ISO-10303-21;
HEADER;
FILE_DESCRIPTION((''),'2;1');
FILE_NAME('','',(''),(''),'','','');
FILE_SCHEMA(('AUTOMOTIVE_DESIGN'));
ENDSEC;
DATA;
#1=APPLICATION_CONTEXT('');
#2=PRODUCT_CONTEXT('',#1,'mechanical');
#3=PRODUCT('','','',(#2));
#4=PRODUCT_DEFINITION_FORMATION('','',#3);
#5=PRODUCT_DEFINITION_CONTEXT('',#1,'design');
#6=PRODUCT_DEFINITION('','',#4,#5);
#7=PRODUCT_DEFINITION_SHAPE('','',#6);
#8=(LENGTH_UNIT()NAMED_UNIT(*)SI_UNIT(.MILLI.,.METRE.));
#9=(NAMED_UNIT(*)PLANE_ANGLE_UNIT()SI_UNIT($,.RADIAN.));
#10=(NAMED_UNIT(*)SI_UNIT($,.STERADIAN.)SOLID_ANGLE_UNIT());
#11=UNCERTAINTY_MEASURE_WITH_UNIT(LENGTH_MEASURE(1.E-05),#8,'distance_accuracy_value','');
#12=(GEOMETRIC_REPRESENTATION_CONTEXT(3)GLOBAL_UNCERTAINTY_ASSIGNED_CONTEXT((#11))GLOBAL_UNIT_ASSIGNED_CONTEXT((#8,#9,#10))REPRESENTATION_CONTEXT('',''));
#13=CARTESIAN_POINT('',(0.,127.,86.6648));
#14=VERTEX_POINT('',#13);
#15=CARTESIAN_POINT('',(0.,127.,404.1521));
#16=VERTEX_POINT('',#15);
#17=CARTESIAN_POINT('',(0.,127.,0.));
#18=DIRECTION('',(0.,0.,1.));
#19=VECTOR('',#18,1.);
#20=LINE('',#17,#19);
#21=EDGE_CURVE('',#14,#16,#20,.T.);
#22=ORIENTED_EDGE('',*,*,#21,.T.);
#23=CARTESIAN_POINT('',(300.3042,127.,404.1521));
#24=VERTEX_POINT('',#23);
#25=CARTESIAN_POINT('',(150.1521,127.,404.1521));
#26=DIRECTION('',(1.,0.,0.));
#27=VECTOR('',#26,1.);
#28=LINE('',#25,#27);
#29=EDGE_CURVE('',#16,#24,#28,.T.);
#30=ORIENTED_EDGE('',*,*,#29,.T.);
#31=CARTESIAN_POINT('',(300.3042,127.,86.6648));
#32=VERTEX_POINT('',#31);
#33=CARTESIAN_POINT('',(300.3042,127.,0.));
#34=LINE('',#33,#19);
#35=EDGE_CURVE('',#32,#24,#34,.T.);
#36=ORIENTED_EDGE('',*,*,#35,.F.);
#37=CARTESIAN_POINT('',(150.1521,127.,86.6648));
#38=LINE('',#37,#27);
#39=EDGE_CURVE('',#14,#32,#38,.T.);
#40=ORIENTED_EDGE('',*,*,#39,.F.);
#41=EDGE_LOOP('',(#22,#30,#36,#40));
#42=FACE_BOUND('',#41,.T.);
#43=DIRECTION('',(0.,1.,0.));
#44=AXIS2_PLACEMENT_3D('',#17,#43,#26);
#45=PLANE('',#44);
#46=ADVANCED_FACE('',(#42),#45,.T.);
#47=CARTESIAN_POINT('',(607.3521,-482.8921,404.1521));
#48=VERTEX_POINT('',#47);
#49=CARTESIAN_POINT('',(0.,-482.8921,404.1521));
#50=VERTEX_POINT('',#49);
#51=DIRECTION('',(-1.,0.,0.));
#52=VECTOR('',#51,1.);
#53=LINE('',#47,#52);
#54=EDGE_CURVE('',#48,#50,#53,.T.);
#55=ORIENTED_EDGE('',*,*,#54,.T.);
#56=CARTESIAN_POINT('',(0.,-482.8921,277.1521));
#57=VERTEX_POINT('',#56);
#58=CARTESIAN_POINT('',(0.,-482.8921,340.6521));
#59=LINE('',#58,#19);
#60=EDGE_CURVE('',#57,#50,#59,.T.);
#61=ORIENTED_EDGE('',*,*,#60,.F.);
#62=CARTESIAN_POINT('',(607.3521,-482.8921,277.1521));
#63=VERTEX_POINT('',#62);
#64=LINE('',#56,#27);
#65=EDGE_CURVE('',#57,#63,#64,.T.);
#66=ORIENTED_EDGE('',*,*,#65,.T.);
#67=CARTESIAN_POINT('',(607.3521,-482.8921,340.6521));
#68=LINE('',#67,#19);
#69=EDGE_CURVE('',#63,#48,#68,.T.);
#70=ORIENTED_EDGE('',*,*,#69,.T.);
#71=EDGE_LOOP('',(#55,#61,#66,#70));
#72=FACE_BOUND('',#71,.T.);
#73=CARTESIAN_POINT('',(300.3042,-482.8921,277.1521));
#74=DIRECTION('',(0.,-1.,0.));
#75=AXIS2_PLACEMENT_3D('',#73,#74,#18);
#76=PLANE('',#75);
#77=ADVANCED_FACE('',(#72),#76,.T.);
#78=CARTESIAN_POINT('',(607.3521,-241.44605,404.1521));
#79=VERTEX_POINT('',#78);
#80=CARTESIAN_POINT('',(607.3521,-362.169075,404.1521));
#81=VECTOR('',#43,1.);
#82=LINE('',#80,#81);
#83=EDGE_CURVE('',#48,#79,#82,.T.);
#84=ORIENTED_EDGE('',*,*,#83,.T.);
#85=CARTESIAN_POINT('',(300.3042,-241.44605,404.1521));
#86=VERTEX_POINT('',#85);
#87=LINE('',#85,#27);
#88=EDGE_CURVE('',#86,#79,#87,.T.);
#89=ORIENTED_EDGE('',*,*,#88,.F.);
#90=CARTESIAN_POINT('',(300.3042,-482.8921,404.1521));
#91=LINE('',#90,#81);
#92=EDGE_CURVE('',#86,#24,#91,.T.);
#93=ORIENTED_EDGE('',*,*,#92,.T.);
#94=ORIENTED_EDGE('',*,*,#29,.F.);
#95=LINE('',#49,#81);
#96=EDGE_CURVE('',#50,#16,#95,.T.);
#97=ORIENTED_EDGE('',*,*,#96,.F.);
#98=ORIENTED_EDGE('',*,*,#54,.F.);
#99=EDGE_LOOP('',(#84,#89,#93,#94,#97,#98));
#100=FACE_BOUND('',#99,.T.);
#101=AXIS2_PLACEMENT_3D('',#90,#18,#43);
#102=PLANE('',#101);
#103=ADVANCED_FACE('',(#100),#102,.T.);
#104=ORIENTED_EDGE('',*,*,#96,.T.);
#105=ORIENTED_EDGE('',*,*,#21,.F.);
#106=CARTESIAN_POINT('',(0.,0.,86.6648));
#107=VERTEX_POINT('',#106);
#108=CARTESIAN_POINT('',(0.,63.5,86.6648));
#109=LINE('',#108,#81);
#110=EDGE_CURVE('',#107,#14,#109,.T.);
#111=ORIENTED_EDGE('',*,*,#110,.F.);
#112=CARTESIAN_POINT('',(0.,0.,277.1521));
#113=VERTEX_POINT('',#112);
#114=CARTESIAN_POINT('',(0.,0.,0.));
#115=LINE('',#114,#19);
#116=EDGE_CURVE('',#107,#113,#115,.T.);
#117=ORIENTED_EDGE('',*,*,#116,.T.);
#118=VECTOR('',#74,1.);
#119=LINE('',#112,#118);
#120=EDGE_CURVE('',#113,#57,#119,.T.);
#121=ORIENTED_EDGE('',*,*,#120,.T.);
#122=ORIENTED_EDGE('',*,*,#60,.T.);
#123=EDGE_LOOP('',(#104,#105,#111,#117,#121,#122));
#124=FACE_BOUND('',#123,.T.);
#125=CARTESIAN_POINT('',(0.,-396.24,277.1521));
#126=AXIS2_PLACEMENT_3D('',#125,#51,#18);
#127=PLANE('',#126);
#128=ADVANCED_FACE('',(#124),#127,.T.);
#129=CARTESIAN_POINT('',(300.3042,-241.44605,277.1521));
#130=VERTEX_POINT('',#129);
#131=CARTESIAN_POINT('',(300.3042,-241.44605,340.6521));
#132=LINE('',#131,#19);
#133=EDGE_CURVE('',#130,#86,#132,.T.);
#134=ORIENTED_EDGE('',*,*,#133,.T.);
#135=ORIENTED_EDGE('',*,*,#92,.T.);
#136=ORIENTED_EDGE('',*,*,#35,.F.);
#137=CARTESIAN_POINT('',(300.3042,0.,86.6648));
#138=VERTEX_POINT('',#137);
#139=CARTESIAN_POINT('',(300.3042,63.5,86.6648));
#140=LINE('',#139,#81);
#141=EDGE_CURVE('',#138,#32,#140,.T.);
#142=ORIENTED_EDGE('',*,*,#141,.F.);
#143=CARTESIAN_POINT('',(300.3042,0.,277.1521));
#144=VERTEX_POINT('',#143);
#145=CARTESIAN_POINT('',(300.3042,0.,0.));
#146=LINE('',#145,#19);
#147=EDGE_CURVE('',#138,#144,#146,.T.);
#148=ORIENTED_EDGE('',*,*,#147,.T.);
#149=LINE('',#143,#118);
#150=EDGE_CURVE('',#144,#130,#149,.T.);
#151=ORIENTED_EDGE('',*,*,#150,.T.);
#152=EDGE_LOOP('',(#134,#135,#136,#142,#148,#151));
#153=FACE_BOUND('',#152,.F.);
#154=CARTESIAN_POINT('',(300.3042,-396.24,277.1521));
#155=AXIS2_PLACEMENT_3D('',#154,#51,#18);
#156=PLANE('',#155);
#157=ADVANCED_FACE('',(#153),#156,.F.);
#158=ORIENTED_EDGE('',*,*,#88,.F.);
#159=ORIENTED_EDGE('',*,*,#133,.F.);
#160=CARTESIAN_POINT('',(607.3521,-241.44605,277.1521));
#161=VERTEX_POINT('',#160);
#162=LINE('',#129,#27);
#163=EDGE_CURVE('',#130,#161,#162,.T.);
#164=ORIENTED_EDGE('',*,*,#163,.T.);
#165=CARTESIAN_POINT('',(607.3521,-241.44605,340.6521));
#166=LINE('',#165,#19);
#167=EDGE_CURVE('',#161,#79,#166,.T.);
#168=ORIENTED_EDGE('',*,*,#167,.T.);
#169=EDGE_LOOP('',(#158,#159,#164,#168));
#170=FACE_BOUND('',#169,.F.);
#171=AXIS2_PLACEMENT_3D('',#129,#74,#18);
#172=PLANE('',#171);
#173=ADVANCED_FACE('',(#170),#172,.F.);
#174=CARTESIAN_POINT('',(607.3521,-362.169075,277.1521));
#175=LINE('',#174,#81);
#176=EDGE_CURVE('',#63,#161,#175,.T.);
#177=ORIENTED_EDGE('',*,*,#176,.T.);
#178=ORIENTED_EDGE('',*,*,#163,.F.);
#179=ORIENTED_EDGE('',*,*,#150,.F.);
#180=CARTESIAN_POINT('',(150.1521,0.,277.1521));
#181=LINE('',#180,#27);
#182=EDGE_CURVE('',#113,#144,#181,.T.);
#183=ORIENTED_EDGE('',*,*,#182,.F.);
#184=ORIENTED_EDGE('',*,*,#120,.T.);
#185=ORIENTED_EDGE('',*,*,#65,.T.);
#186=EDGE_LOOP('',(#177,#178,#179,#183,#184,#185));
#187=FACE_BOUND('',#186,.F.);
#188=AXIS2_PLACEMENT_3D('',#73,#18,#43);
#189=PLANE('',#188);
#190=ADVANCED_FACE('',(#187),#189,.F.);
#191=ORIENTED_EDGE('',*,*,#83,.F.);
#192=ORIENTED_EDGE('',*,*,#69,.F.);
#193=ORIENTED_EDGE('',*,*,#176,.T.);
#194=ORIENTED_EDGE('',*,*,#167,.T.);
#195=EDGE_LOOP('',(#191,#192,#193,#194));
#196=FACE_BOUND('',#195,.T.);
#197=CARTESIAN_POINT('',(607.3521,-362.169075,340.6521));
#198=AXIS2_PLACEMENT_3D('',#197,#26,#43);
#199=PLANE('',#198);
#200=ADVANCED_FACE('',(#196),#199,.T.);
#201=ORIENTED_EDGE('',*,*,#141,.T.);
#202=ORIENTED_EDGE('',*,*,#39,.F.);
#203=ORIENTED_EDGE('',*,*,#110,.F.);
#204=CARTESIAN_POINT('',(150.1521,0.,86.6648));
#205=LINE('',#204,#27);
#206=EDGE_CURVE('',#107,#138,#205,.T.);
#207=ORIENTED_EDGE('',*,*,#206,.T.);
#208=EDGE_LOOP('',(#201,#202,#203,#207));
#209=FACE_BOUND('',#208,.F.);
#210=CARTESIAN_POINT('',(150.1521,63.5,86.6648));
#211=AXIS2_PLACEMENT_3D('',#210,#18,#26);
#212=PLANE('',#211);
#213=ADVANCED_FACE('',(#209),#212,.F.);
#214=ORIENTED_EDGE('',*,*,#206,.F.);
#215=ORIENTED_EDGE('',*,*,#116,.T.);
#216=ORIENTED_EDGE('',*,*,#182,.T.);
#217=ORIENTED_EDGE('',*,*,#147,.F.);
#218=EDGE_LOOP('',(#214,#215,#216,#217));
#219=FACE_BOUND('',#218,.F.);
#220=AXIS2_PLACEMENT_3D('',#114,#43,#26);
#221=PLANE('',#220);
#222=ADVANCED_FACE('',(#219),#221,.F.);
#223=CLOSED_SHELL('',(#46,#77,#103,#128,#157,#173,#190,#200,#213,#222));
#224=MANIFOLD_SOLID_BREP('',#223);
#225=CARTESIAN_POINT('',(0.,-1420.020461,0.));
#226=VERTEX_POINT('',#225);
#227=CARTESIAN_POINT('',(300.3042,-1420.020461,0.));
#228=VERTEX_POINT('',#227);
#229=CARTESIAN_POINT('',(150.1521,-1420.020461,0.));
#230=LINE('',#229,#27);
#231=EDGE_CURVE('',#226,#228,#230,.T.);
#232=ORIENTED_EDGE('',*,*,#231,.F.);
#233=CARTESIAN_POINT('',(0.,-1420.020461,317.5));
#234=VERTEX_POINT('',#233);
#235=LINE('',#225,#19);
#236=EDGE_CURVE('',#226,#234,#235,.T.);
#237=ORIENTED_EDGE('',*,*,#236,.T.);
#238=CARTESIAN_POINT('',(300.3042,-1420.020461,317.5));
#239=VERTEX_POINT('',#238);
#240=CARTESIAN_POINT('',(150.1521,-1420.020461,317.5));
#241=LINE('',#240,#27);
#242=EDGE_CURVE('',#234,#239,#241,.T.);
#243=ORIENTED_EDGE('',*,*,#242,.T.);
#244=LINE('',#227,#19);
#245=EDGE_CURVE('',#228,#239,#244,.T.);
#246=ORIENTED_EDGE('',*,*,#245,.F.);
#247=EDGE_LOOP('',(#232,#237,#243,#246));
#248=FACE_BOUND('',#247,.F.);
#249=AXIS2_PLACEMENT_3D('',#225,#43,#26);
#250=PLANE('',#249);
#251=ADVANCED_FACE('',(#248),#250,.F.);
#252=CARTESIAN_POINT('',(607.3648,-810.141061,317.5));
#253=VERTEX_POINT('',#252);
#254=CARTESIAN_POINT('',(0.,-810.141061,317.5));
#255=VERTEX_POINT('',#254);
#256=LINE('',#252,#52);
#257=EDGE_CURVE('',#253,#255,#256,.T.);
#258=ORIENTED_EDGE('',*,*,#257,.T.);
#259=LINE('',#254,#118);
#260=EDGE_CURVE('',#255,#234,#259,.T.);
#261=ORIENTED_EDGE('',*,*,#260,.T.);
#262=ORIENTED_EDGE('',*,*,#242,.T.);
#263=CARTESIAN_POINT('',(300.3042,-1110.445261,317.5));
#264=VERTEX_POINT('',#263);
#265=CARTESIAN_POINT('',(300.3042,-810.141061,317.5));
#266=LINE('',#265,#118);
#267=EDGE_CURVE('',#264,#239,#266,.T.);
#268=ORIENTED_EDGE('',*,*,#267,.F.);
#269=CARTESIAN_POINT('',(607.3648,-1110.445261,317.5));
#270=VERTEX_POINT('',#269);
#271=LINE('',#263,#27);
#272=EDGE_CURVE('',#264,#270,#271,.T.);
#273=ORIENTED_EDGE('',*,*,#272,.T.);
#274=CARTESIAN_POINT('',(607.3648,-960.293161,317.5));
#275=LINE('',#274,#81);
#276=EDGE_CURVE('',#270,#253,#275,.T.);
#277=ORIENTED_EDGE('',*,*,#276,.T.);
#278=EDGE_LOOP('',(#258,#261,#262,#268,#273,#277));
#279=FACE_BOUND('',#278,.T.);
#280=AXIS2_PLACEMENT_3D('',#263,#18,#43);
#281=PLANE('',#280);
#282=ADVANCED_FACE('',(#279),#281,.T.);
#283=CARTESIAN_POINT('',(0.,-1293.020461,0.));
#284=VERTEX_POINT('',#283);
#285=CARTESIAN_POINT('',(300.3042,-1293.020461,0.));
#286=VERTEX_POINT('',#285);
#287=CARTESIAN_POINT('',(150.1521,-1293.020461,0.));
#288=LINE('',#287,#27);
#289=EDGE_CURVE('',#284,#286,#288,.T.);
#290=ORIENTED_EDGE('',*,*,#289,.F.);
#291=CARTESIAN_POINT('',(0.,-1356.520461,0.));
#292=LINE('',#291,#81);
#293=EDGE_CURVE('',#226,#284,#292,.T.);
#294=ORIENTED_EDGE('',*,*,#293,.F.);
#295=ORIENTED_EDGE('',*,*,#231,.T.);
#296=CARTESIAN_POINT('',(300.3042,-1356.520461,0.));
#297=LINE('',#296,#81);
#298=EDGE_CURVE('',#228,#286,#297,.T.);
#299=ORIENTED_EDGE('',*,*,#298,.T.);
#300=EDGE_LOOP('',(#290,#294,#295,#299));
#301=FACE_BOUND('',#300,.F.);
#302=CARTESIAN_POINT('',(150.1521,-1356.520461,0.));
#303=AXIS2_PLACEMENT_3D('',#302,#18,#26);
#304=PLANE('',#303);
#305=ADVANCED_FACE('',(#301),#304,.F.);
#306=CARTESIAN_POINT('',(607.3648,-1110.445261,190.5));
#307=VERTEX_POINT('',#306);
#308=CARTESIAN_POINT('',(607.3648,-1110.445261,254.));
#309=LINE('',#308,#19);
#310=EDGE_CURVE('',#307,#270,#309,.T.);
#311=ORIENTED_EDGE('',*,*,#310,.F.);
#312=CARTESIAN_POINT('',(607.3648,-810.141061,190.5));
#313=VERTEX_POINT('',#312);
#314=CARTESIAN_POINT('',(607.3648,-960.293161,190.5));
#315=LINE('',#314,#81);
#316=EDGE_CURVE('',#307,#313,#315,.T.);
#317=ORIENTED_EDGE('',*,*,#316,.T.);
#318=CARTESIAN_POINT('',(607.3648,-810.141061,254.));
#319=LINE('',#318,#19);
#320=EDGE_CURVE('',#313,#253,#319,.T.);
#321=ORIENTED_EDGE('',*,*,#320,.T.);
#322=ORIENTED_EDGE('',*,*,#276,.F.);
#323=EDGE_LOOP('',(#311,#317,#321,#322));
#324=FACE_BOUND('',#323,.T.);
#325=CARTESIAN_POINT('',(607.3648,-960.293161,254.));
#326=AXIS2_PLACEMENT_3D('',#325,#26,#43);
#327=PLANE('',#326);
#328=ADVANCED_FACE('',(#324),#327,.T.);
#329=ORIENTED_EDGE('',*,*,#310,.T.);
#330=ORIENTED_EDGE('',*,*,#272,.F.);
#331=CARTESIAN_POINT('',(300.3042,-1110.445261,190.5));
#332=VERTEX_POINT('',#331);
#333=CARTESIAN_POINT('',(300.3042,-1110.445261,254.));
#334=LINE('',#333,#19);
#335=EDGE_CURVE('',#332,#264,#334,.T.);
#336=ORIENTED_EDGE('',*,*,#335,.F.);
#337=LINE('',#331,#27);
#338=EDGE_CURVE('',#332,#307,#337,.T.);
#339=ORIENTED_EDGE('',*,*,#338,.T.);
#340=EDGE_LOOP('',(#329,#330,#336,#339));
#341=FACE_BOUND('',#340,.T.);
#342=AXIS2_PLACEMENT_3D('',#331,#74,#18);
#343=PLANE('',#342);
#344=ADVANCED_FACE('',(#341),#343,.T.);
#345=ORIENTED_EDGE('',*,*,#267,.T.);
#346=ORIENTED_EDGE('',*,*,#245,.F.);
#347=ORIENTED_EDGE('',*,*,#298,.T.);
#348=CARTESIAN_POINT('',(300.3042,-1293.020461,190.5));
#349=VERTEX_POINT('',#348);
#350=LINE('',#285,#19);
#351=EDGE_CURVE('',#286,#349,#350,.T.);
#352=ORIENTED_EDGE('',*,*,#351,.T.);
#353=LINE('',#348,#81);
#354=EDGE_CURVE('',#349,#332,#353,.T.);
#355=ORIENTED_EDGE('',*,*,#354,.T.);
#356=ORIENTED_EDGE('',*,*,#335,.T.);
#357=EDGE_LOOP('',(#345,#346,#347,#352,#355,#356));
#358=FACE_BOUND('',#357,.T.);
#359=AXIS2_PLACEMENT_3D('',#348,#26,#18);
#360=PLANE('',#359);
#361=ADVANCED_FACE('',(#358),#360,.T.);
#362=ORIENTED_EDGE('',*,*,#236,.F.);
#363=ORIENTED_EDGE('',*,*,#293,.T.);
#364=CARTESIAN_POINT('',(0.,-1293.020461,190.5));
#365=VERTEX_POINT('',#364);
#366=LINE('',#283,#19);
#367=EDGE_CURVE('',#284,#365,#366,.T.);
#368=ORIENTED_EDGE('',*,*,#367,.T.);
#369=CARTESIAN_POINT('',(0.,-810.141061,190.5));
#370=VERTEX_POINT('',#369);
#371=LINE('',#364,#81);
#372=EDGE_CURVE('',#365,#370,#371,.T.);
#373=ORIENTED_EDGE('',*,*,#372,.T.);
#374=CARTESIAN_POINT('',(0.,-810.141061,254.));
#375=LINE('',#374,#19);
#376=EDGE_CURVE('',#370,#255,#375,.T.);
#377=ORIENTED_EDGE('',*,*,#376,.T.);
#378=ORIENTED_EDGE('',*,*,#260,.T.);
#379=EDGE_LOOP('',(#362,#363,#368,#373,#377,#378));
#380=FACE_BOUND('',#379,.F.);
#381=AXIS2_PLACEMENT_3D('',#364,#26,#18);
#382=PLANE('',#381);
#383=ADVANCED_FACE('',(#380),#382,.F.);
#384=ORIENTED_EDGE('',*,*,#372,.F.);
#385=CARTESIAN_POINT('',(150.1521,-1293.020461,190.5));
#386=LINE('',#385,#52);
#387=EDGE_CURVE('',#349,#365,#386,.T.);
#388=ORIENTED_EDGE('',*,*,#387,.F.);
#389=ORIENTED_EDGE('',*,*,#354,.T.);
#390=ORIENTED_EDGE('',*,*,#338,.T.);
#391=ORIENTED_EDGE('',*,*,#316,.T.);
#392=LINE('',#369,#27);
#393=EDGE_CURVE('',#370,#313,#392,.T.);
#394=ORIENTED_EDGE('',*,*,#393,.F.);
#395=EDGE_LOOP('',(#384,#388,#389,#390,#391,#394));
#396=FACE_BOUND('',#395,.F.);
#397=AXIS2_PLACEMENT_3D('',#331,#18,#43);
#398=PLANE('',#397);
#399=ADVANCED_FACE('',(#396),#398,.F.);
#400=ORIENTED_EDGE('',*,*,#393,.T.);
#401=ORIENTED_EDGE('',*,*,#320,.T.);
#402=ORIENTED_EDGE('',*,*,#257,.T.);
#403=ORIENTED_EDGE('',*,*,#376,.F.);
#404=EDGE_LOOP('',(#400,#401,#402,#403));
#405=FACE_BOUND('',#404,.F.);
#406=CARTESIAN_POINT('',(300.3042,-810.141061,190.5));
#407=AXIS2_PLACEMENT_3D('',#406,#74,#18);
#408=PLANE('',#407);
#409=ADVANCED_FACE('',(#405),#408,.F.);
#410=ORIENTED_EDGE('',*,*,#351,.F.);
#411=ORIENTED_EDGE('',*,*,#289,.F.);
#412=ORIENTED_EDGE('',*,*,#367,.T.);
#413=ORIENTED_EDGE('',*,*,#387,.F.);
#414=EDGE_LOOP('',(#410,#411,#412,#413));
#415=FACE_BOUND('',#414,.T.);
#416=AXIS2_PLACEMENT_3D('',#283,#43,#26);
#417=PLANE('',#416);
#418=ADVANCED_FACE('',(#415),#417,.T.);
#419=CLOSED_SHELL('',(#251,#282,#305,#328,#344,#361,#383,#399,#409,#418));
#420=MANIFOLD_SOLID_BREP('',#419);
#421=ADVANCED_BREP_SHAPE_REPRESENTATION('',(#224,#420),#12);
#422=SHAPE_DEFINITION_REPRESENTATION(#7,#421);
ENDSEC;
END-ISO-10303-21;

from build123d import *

# Parameters (mm, degrees)
F0_W      = 300.3042
F0_H      = 127
F1_DEPTH  = 404.1521
F2_W      = 300.3042
F2_H      = 127
F3_DEPTH  = 396.24
F4_DEPTH  = 86.6521
F5_W      = 241.44605
F5_H      = 127
F6_DEPTH  = 307.0479
F7_DEPTH  = 86.6648
F8_W      = 300.3042
F8_H      = 127
F9_DEPTH  = 317.5
F10_W     = 300.3042
F10_H     = 127
F11_DEPTH = 482.8794
F12_W     = 300.3042
F12_H     = 127
F13_DEPTH = 307.0606


with BuildPart() as f1:
    # F0 (on Top) → F1 (new body)
    with BuildSketch(Plane.XY):
        with Locations((150.1521, 63.5)):
            Rectangle(F0_W, F0_H)
    extrude(amount=F1_DEPTH)

    # F2 (on face) → F3 (join)
    with BuildSketch(Plane.XZ):
        with Locations((150.1521, 340.6521)):
            Rectangle(F2_W, F2_H)
    extrude(amount=F3_DEPTH)

    # F4 (add): a face of the model
    f4_faces = [f1.faces().sort_by_distance(p)[0] for p in [
        (150.1521, -396.24, 340.6521),
    ]]
    extrude(f4_faces, amount=F4_DEPTH)

    # F5 (on face) → F6 (join)
    with BuildSketch(Plane.YZ.offset(300.3042)):
        with Locations((-362.169075, 340.6521)):
            Rectangle(F5_W, F5_H)
    extrude(amount=F6_DEPTH)

    # F7 (cut): a face of the model
    f7_faces = [f1.faces().sort_by_distance(p)[0] for p in [
        (150.1521, 63.5, 0),
    ]]
    extrude(f7_faces, amount=-F7_DEPTH, mode=Mode.SUBTRACT)


with BuildPart() as f9:
    # F8 (on Top) → F9 (new body)
    with BuildSketch(Plane.XY):
        with Locations((150.1521, -1356.5204610825)):
            Rectangle(F8_W, F8_H)
    extrude(amount=F9_DEPTH)

    # F10 (on face) → F11 (join)
    with BuildSketch(Plane(origin=(0, -1293.0204610825, 0), x_dir=(-1, 0, 0), z_dir=(0, 1, 0))):
        with Locations((-150.1521, 254)):
            Rectangle(F10_W, F10_H)
    extrude(amount=F11_DEPTH)

    # F12 (on face) → F13 (join)
    with BuildSketch(Plane.YZ.offset(300.3042)):
        with Locations((-960.2931610825, 254)):
            Rectangle(F12_W, F12_H)
    extrude(amount=F13_DEPTH)


solid = Compound([f1.part, f9.part])
